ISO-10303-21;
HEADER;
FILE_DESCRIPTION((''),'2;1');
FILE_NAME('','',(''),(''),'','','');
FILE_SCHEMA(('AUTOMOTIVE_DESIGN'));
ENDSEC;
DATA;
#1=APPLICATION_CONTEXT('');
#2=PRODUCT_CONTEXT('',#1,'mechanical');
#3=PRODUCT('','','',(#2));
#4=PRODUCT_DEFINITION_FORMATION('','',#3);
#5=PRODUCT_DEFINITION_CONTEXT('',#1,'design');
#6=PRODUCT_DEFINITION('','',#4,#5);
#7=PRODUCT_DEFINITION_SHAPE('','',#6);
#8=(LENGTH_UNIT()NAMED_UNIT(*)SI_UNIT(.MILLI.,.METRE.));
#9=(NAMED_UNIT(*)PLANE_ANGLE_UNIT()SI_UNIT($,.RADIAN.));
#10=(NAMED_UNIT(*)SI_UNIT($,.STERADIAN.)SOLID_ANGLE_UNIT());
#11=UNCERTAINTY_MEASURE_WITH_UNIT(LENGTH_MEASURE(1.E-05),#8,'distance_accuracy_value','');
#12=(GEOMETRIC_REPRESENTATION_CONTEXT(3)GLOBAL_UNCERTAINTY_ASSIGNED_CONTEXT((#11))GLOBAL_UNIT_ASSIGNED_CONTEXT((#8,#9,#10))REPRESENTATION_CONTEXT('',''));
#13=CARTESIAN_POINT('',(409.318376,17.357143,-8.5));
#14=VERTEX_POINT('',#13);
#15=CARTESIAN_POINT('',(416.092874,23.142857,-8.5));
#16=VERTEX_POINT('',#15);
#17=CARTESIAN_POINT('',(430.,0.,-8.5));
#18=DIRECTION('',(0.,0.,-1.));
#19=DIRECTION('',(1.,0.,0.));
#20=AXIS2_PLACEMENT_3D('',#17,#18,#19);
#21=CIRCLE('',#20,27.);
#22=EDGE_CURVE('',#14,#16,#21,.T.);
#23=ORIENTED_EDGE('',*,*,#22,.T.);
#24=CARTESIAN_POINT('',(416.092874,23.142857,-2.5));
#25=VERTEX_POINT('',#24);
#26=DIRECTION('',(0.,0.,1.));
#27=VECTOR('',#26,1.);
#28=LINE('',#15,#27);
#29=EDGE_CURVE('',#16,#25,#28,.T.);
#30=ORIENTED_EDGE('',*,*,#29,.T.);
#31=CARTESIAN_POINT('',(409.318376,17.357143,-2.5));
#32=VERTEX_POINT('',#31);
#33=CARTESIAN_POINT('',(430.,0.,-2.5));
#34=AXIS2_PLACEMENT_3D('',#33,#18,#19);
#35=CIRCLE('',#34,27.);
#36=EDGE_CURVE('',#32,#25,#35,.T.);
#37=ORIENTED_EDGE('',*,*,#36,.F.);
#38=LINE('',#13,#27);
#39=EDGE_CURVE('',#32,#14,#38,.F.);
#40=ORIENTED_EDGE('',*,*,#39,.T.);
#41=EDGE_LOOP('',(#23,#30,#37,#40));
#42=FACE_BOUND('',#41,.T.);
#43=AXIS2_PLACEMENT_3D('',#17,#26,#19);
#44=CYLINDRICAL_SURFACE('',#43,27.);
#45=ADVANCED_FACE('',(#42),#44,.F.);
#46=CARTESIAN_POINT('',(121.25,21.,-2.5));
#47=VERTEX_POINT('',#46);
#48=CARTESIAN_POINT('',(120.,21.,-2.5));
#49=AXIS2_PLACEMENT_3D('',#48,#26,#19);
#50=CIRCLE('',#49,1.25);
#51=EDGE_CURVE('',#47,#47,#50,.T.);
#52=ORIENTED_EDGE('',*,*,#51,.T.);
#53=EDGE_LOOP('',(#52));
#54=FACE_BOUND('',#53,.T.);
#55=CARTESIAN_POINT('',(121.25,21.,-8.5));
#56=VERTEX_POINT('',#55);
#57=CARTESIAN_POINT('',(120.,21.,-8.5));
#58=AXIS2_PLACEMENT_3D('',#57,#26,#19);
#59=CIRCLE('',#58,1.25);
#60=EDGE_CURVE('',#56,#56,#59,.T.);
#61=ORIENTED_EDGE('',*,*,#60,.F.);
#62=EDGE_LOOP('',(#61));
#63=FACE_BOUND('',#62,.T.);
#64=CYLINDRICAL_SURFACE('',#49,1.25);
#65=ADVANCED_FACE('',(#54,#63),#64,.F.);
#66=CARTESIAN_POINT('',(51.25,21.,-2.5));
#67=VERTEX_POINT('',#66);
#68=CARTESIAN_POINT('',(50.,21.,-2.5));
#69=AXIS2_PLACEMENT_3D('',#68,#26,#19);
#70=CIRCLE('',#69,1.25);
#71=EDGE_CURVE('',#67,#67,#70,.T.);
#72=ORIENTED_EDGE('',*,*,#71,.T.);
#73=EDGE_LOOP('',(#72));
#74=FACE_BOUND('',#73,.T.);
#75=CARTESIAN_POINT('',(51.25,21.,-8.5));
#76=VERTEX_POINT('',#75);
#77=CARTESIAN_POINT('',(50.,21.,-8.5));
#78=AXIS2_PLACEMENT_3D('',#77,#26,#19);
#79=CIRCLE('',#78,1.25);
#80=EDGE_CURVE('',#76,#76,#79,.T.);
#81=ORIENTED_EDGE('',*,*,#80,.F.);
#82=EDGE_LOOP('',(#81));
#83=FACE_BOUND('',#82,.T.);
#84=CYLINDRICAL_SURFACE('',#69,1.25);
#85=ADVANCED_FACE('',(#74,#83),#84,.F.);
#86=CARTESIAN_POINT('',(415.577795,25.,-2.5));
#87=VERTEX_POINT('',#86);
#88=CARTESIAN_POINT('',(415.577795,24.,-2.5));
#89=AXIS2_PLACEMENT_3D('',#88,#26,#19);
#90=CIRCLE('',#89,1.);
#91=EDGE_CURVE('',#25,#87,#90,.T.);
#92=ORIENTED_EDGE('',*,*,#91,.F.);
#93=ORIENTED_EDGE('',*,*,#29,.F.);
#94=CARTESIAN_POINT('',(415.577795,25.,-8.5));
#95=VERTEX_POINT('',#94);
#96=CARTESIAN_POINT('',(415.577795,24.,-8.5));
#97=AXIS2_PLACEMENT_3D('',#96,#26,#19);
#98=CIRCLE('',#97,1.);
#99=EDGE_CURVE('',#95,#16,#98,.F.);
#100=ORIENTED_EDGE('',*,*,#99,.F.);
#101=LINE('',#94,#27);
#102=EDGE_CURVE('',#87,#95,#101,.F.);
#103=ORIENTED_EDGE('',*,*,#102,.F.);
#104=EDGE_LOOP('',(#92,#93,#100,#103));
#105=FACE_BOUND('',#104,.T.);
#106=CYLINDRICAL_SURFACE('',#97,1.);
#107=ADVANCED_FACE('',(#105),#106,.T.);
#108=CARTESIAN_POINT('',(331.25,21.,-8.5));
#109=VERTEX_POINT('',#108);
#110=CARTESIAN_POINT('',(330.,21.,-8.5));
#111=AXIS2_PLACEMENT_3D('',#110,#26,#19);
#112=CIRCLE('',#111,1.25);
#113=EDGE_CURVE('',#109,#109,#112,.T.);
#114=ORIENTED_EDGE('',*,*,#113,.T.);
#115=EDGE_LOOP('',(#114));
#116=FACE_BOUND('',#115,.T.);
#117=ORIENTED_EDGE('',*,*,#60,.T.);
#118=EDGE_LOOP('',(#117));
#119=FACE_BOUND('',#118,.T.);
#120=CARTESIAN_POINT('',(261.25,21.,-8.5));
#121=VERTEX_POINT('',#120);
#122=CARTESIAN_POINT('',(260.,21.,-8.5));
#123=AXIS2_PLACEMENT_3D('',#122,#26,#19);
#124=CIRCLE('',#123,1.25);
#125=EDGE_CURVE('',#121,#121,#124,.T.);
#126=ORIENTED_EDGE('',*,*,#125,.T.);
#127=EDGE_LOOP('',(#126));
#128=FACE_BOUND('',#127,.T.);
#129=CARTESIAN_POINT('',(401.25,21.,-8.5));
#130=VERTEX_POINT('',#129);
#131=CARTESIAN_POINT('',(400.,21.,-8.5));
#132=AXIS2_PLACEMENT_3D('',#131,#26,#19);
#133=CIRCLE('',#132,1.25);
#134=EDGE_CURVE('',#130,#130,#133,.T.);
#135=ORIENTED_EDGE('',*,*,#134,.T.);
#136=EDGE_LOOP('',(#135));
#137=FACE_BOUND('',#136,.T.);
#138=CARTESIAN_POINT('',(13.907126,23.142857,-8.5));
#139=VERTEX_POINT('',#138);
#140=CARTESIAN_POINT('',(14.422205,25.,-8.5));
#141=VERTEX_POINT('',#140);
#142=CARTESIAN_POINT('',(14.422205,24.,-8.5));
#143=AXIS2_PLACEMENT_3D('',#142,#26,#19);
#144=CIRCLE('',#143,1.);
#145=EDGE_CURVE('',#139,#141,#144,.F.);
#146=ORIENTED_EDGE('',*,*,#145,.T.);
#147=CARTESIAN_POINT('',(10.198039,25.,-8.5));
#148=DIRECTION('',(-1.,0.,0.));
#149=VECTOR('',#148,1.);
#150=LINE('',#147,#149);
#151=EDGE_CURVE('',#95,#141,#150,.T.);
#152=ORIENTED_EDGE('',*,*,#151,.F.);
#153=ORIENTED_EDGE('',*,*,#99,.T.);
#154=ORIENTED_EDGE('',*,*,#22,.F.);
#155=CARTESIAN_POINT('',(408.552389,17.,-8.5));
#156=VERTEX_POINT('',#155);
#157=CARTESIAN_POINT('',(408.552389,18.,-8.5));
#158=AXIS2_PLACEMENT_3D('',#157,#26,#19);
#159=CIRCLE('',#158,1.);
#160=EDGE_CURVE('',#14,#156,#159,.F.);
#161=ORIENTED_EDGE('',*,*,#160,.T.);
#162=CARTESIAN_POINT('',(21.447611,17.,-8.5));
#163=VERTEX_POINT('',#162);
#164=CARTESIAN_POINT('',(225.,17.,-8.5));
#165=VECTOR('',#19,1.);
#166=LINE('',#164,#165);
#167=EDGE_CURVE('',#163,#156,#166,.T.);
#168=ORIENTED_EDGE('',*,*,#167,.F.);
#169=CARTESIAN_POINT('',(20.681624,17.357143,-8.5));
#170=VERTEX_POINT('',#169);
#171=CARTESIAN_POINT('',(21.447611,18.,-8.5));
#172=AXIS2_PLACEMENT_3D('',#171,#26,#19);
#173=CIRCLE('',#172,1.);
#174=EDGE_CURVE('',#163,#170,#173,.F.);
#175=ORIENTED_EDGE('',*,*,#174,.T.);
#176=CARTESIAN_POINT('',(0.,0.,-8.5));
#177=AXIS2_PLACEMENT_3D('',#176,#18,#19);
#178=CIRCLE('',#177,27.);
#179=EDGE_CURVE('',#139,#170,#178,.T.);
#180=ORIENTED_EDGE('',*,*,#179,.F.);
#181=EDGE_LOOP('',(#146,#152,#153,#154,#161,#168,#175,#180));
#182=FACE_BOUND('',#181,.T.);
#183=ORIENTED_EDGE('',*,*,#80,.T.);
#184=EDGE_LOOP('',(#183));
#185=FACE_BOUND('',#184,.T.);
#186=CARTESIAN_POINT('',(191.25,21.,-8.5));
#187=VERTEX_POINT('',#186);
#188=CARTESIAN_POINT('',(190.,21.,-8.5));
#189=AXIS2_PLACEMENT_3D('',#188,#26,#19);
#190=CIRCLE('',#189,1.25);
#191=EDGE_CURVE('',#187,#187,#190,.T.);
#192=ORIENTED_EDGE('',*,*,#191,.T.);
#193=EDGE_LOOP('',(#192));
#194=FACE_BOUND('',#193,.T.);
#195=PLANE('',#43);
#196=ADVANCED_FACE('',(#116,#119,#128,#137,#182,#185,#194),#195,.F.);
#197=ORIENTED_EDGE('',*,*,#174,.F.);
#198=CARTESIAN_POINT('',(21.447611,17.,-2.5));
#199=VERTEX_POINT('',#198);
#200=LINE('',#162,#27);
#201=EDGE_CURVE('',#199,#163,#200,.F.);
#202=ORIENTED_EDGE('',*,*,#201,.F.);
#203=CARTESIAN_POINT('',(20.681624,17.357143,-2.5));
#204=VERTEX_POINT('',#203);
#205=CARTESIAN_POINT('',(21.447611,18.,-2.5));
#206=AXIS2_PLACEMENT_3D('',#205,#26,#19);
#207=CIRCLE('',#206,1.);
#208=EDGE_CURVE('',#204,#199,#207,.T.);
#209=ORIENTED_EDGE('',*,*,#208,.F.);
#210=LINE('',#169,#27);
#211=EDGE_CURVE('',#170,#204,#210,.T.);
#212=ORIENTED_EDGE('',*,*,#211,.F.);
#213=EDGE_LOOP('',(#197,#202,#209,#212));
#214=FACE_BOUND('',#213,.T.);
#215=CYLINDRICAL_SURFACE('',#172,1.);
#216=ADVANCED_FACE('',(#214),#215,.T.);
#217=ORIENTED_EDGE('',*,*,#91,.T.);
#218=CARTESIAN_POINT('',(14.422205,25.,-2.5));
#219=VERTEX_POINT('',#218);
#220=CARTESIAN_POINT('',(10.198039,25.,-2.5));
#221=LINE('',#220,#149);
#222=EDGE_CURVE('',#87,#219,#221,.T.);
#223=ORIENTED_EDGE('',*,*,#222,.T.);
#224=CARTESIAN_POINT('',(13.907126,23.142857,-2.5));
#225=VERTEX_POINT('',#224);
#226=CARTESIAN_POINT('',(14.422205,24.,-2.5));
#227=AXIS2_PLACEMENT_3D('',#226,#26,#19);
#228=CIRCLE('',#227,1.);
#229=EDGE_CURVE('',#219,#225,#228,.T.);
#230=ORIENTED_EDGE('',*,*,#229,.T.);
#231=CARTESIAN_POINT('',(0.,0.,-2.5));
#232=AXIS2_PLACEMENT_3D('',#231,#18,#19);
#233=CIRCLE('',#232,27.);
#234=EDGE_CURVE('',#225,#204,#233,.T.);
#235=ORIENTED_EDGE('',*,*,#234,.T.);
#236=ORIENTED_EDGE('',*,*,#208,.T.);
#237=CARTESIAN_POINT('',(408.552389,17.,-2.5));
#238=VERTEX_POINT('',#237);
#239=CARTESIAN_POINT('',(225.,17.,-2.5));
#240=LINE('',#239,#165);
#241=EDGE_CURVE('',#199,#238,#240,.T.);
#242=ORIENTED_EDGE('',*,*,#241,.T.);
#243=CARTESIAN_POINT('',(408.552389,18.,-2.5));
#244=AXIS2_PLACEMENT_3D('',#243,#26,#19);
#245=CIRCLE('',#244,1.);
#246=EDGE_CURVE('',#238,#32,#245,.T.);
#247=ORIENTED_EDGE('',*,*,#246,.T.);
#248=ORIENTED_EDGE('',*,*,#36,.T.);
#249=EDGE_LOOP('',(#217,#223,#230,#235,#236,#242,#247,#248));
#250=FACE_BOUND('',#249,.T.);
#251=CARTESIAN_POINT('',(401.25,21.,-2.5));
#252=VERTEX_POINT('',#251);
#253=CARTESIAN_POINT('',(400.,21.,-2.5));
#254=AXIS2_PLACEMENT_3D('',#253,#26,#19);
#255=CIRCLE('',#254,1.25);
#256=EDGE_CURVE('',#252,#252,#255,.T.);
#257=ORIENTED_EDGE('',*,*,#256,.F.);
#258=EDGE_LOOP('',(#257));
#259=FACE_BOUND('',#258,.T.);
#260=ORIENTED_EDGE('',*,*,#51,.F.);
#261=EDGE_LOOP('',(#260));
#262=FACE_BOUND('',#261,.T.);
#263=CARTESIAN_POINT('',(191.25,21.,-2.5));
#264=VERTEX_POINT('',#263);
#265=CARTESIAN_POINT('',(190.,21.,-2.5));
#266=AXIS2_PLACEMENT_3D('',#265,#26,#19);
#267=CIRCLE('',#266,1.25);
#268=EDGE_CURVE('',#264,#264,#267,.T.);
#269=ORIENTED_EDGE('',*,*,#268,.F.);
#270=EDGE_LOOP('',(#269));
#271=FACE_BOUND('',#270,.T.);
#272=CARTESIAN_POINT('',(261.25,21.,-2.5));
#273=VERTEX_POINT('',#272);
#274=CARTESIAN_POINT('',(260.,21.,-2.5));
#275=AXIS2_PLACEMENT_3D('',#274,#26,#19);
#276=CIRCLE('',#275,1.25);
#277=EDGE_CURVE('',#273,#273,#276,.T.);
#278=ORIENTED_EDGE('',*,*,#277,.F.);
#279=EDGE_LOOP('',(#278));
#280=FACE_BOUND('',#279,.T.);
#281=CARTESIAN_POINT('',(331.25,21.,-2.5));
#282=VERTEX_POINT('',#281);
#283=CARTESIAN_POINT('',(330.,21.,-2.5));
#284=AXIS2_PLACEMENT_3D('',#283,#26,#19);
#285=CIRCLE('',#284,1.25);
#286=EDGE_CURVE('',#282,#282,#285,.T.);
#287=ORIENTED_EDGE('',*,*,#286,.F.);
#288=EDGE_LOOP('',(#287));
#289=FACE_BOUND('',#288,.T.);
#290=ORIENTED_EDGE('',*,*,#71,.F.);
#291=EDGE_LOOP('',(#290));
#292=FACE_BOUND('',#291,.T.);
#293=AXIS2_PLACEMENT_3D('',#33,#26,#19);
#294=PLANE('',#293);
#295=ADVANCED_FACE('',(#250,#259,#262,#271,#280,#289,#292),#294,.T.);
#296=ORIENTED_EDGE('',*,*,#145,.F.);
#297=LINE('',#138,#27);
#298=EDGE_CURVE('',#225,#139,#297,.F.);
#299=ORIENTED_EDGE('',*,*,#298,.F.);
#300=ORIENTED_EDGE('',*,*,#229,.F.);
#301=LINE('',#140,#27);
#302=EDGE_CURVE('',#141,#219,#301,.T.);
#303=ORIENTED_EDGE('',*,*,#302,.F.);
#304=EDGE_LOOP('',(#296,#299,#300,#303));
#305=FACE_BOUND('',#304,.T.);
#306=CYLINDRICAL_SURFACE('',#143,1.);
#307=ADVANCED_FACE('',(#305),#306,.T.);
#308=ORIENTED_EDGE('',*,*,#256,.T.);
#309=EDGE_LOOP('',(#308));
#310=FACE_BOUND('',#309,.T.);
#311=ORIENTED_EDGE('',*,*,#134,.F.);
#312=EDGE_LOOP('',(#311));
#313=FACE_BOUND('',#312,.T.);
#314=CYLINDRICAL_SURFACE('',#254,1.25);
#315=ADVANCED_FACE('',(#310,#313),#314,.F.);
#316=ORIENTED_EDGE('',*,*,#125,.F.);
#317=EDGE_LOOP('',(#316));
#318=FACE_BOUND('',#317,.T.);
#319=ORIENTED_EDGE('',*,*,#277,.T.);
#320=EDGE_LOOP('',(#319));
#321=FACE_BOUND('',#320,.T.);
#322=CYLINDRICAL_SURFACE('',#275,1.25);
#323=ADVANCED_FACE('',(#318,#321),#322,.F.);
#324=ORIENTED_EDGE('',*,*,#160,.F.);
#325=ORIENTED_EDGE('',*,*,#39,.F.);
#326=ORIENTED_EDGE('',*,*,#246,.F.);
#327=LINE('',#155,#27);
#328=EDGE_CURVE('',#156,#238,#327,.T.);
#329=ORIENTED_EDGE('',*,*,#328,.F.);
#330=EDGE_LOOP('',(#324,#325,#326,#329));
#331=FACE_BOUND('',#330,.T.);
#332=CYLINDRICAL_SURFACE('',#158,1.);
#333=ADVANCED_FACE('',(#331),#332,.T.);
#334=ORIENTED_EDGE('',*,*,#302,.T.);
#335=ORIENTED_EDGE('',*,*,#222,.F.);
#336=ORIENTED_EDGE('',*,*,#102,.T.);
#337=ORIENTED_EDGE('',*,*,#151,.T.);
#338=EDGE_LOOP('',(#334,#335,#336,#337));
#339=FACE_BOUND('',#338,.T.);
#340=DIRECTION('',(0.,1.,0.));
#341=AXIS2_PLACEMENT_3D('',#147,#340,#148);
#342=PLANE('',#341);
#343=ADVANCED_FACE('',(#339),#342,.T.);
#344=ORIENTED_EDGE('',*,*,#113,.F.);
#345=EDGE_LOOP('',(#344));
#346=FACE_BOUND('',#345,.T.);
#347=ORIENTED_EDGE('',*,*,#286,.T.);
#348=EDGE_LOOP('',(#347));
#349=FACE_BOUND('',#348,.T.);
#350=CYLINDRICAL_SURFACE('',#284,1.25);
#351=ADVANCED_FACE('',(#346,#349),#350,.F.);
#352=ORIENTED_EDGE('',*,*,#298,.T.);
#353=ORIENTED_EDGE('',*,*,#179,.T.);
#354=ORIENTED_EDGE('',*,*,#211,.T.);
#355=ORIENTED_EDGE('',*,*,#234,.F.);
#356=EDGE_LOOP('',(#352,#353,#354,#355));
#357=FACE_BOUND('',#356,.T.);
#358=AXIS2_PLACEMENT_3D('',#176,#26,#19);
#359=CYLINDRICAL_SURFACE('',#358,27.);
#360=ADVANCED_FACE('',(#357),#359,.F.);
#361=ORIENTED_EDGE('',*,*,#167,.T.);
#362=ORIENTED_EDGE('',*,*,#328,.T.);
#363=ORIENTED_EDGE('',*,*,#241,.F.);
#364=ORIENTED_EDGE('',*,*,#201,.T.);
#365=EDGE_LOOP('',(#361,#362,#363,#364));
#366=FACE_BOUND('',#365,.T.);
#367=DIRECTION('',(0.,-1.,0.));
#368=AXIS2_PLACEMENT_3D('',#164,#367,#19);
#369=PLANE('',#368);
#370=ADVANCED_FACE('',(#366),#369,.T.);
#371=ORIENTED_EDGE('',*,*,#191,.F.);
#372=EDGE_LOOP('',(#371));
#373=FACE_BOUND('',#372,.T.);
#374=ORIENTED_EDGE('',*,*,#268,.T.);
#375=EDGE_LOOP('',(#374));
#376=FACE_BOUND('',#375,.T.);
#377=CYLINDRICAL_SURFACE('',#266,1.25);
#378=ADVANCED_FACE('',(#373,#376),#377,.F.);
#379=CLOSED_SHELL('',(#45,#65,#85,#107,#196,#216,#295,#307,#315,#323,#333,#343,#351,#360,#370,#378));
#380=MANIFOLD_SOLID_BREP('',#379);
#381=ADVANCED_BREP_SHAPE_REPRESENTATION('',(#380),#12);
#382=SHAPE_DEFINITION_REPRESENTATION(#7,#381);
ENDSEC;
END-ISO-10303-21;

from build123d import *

# Parameters (mm, degrees)
AUFSATZ_LINEAR_START             = -2.5
AUFSATZ_LINEAR_AUSTRAGEN1_DEPTH  = 6
VERRUNDUNG1_R                    = 1
F_2_5_2_5_DURCHMESSER_BOHRUNG1_D = 2.5


with BuildPart() as part:
    # Skizze1 → Aufsatz-Linear austragen1 (new body)
    with BuildSketch(Plane.XY.offset(AUFSATZ_LINEAR_START)):
        with BuildLine():
            Line((225, 17), (409.023823037, 17))
            ThreePointArc((409.023823037, 17), (413.907829989, 21.680453509), (419.801960973, 25))
            Line((419.801960973, 25), (10.198039027, 25))
            ThreePointArc((10.198039027, 25), (16.092170011, 21.680453509), (20.976176963, 17))
            Line((20.976176963, 17), (225, 17))
        make_face()
    extrude(amount=-AUFSATZ_LINEAR_AUSTRAGEN1_DEPTH)

    # Verrundung1
    verrundung1_edges = [part.edges().sort_by_distance(p)[0] for p in [
        (409.023823037, 17, -5.5),
        (20.976176963, 17, -5.5),
        (10.198039027, 25, -5.5),
        (419.801960973, 25, -5.5),
    ]]
    fillet(verrundung1_edges, radius=VERRUNDUNG1_R)

    # Ø2.5 (2.5) Durchmesser Bohrung1 (through all)
    with Locations(Plane.XY.offset(-2.5)):
        with Locations((400, 21), (330, 21), (260, 21), (190, 21), (120, 21), (50, 21)):
            Hole(F_2_5_2_5_DURCHMESSER_BOHRUNG1_D / 2)


solid = part.part
